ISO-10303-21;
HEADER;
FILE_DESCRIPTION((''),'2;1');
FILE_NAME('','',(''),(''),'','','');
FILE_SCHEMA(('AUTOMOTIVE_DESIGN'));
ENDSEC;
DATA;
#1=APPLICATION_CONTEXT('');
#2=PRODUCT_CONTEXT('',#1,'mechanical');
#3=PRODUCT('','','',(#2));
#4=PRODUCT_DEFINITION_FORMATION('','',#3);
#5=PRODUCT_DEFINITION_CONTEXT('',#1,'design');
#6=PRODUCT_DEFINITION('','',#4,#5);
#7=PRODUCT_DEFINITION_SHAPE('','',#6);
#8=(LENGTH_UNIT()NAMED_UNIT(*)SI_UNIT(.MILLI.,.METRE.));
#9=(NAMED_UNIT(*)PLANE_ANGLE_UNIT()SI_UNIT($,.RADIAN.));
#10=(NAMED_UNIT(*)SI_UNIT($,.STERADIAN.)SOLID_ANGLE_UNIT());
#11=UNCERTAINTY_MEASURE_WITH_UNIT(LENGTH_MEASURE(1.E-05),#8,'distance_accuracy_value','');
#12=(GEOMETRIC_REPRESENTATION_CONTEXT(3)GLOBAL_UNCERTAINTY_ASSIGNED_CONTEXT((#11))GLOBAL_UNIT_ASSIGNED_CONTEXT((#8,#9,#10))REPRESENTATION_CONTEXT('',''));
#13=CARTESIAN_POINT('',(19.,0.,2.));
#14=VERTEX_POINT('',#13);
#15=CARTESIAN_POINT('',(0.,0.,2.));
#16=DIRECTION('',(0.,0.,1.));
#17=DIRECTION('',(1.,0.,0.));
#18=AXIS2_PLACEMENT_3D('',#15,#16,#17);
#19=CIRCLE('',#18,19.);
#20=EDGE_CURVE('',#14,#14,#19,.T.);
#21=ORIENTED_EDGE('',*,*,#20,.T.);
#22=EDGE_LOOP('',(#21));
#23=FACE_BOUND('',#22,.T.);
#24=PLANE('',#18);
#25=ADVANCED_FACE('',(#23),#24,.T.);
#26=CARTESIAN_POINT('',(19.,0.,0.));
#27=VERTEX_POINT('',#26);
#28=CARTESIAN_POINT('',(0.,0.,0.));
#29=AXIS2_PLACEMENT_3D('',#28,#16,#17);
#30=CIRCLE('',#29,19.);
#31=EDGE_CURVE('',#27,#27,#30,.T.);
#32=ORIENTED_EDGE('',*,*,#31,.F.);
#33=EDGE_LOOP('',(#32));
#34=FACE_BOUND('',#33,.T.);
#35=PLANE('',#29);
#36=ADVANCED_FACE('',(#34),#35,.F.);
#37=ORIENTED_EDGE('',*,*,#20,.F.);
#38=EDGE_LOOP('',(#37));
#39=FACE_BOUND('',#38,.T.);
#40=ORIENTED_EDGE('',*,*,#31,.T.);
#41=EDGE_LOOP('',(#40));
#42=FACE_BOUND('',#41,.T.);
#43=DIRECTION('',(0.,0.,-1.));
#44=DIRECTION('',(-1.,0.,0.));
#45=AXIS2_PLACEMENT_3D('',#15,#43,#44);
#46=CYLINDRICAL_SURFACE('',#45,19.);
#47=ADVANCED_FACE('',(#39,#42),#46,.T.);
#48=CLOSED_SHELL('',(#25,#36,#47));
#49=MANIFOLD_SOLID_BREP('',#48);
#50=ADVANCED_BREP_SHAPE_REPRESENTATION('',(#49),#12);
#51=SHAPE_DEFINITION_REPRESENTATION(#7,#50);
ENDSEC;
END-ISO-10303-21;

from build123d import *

# Parameters (mm, degrees)
SKETCH_1_R      = 19
EXTRUDE_1_DEPTH = 2


with BuildPart() as part:
    # Эскиз1 → Бобышка-Вытянуть1 (new body)
    with BuildSketch(Plane.XY):
        Circle(SKETCH_1_R)
    extrude(amount=EXTRUDE_1_DEPTH)


solid = part.part
